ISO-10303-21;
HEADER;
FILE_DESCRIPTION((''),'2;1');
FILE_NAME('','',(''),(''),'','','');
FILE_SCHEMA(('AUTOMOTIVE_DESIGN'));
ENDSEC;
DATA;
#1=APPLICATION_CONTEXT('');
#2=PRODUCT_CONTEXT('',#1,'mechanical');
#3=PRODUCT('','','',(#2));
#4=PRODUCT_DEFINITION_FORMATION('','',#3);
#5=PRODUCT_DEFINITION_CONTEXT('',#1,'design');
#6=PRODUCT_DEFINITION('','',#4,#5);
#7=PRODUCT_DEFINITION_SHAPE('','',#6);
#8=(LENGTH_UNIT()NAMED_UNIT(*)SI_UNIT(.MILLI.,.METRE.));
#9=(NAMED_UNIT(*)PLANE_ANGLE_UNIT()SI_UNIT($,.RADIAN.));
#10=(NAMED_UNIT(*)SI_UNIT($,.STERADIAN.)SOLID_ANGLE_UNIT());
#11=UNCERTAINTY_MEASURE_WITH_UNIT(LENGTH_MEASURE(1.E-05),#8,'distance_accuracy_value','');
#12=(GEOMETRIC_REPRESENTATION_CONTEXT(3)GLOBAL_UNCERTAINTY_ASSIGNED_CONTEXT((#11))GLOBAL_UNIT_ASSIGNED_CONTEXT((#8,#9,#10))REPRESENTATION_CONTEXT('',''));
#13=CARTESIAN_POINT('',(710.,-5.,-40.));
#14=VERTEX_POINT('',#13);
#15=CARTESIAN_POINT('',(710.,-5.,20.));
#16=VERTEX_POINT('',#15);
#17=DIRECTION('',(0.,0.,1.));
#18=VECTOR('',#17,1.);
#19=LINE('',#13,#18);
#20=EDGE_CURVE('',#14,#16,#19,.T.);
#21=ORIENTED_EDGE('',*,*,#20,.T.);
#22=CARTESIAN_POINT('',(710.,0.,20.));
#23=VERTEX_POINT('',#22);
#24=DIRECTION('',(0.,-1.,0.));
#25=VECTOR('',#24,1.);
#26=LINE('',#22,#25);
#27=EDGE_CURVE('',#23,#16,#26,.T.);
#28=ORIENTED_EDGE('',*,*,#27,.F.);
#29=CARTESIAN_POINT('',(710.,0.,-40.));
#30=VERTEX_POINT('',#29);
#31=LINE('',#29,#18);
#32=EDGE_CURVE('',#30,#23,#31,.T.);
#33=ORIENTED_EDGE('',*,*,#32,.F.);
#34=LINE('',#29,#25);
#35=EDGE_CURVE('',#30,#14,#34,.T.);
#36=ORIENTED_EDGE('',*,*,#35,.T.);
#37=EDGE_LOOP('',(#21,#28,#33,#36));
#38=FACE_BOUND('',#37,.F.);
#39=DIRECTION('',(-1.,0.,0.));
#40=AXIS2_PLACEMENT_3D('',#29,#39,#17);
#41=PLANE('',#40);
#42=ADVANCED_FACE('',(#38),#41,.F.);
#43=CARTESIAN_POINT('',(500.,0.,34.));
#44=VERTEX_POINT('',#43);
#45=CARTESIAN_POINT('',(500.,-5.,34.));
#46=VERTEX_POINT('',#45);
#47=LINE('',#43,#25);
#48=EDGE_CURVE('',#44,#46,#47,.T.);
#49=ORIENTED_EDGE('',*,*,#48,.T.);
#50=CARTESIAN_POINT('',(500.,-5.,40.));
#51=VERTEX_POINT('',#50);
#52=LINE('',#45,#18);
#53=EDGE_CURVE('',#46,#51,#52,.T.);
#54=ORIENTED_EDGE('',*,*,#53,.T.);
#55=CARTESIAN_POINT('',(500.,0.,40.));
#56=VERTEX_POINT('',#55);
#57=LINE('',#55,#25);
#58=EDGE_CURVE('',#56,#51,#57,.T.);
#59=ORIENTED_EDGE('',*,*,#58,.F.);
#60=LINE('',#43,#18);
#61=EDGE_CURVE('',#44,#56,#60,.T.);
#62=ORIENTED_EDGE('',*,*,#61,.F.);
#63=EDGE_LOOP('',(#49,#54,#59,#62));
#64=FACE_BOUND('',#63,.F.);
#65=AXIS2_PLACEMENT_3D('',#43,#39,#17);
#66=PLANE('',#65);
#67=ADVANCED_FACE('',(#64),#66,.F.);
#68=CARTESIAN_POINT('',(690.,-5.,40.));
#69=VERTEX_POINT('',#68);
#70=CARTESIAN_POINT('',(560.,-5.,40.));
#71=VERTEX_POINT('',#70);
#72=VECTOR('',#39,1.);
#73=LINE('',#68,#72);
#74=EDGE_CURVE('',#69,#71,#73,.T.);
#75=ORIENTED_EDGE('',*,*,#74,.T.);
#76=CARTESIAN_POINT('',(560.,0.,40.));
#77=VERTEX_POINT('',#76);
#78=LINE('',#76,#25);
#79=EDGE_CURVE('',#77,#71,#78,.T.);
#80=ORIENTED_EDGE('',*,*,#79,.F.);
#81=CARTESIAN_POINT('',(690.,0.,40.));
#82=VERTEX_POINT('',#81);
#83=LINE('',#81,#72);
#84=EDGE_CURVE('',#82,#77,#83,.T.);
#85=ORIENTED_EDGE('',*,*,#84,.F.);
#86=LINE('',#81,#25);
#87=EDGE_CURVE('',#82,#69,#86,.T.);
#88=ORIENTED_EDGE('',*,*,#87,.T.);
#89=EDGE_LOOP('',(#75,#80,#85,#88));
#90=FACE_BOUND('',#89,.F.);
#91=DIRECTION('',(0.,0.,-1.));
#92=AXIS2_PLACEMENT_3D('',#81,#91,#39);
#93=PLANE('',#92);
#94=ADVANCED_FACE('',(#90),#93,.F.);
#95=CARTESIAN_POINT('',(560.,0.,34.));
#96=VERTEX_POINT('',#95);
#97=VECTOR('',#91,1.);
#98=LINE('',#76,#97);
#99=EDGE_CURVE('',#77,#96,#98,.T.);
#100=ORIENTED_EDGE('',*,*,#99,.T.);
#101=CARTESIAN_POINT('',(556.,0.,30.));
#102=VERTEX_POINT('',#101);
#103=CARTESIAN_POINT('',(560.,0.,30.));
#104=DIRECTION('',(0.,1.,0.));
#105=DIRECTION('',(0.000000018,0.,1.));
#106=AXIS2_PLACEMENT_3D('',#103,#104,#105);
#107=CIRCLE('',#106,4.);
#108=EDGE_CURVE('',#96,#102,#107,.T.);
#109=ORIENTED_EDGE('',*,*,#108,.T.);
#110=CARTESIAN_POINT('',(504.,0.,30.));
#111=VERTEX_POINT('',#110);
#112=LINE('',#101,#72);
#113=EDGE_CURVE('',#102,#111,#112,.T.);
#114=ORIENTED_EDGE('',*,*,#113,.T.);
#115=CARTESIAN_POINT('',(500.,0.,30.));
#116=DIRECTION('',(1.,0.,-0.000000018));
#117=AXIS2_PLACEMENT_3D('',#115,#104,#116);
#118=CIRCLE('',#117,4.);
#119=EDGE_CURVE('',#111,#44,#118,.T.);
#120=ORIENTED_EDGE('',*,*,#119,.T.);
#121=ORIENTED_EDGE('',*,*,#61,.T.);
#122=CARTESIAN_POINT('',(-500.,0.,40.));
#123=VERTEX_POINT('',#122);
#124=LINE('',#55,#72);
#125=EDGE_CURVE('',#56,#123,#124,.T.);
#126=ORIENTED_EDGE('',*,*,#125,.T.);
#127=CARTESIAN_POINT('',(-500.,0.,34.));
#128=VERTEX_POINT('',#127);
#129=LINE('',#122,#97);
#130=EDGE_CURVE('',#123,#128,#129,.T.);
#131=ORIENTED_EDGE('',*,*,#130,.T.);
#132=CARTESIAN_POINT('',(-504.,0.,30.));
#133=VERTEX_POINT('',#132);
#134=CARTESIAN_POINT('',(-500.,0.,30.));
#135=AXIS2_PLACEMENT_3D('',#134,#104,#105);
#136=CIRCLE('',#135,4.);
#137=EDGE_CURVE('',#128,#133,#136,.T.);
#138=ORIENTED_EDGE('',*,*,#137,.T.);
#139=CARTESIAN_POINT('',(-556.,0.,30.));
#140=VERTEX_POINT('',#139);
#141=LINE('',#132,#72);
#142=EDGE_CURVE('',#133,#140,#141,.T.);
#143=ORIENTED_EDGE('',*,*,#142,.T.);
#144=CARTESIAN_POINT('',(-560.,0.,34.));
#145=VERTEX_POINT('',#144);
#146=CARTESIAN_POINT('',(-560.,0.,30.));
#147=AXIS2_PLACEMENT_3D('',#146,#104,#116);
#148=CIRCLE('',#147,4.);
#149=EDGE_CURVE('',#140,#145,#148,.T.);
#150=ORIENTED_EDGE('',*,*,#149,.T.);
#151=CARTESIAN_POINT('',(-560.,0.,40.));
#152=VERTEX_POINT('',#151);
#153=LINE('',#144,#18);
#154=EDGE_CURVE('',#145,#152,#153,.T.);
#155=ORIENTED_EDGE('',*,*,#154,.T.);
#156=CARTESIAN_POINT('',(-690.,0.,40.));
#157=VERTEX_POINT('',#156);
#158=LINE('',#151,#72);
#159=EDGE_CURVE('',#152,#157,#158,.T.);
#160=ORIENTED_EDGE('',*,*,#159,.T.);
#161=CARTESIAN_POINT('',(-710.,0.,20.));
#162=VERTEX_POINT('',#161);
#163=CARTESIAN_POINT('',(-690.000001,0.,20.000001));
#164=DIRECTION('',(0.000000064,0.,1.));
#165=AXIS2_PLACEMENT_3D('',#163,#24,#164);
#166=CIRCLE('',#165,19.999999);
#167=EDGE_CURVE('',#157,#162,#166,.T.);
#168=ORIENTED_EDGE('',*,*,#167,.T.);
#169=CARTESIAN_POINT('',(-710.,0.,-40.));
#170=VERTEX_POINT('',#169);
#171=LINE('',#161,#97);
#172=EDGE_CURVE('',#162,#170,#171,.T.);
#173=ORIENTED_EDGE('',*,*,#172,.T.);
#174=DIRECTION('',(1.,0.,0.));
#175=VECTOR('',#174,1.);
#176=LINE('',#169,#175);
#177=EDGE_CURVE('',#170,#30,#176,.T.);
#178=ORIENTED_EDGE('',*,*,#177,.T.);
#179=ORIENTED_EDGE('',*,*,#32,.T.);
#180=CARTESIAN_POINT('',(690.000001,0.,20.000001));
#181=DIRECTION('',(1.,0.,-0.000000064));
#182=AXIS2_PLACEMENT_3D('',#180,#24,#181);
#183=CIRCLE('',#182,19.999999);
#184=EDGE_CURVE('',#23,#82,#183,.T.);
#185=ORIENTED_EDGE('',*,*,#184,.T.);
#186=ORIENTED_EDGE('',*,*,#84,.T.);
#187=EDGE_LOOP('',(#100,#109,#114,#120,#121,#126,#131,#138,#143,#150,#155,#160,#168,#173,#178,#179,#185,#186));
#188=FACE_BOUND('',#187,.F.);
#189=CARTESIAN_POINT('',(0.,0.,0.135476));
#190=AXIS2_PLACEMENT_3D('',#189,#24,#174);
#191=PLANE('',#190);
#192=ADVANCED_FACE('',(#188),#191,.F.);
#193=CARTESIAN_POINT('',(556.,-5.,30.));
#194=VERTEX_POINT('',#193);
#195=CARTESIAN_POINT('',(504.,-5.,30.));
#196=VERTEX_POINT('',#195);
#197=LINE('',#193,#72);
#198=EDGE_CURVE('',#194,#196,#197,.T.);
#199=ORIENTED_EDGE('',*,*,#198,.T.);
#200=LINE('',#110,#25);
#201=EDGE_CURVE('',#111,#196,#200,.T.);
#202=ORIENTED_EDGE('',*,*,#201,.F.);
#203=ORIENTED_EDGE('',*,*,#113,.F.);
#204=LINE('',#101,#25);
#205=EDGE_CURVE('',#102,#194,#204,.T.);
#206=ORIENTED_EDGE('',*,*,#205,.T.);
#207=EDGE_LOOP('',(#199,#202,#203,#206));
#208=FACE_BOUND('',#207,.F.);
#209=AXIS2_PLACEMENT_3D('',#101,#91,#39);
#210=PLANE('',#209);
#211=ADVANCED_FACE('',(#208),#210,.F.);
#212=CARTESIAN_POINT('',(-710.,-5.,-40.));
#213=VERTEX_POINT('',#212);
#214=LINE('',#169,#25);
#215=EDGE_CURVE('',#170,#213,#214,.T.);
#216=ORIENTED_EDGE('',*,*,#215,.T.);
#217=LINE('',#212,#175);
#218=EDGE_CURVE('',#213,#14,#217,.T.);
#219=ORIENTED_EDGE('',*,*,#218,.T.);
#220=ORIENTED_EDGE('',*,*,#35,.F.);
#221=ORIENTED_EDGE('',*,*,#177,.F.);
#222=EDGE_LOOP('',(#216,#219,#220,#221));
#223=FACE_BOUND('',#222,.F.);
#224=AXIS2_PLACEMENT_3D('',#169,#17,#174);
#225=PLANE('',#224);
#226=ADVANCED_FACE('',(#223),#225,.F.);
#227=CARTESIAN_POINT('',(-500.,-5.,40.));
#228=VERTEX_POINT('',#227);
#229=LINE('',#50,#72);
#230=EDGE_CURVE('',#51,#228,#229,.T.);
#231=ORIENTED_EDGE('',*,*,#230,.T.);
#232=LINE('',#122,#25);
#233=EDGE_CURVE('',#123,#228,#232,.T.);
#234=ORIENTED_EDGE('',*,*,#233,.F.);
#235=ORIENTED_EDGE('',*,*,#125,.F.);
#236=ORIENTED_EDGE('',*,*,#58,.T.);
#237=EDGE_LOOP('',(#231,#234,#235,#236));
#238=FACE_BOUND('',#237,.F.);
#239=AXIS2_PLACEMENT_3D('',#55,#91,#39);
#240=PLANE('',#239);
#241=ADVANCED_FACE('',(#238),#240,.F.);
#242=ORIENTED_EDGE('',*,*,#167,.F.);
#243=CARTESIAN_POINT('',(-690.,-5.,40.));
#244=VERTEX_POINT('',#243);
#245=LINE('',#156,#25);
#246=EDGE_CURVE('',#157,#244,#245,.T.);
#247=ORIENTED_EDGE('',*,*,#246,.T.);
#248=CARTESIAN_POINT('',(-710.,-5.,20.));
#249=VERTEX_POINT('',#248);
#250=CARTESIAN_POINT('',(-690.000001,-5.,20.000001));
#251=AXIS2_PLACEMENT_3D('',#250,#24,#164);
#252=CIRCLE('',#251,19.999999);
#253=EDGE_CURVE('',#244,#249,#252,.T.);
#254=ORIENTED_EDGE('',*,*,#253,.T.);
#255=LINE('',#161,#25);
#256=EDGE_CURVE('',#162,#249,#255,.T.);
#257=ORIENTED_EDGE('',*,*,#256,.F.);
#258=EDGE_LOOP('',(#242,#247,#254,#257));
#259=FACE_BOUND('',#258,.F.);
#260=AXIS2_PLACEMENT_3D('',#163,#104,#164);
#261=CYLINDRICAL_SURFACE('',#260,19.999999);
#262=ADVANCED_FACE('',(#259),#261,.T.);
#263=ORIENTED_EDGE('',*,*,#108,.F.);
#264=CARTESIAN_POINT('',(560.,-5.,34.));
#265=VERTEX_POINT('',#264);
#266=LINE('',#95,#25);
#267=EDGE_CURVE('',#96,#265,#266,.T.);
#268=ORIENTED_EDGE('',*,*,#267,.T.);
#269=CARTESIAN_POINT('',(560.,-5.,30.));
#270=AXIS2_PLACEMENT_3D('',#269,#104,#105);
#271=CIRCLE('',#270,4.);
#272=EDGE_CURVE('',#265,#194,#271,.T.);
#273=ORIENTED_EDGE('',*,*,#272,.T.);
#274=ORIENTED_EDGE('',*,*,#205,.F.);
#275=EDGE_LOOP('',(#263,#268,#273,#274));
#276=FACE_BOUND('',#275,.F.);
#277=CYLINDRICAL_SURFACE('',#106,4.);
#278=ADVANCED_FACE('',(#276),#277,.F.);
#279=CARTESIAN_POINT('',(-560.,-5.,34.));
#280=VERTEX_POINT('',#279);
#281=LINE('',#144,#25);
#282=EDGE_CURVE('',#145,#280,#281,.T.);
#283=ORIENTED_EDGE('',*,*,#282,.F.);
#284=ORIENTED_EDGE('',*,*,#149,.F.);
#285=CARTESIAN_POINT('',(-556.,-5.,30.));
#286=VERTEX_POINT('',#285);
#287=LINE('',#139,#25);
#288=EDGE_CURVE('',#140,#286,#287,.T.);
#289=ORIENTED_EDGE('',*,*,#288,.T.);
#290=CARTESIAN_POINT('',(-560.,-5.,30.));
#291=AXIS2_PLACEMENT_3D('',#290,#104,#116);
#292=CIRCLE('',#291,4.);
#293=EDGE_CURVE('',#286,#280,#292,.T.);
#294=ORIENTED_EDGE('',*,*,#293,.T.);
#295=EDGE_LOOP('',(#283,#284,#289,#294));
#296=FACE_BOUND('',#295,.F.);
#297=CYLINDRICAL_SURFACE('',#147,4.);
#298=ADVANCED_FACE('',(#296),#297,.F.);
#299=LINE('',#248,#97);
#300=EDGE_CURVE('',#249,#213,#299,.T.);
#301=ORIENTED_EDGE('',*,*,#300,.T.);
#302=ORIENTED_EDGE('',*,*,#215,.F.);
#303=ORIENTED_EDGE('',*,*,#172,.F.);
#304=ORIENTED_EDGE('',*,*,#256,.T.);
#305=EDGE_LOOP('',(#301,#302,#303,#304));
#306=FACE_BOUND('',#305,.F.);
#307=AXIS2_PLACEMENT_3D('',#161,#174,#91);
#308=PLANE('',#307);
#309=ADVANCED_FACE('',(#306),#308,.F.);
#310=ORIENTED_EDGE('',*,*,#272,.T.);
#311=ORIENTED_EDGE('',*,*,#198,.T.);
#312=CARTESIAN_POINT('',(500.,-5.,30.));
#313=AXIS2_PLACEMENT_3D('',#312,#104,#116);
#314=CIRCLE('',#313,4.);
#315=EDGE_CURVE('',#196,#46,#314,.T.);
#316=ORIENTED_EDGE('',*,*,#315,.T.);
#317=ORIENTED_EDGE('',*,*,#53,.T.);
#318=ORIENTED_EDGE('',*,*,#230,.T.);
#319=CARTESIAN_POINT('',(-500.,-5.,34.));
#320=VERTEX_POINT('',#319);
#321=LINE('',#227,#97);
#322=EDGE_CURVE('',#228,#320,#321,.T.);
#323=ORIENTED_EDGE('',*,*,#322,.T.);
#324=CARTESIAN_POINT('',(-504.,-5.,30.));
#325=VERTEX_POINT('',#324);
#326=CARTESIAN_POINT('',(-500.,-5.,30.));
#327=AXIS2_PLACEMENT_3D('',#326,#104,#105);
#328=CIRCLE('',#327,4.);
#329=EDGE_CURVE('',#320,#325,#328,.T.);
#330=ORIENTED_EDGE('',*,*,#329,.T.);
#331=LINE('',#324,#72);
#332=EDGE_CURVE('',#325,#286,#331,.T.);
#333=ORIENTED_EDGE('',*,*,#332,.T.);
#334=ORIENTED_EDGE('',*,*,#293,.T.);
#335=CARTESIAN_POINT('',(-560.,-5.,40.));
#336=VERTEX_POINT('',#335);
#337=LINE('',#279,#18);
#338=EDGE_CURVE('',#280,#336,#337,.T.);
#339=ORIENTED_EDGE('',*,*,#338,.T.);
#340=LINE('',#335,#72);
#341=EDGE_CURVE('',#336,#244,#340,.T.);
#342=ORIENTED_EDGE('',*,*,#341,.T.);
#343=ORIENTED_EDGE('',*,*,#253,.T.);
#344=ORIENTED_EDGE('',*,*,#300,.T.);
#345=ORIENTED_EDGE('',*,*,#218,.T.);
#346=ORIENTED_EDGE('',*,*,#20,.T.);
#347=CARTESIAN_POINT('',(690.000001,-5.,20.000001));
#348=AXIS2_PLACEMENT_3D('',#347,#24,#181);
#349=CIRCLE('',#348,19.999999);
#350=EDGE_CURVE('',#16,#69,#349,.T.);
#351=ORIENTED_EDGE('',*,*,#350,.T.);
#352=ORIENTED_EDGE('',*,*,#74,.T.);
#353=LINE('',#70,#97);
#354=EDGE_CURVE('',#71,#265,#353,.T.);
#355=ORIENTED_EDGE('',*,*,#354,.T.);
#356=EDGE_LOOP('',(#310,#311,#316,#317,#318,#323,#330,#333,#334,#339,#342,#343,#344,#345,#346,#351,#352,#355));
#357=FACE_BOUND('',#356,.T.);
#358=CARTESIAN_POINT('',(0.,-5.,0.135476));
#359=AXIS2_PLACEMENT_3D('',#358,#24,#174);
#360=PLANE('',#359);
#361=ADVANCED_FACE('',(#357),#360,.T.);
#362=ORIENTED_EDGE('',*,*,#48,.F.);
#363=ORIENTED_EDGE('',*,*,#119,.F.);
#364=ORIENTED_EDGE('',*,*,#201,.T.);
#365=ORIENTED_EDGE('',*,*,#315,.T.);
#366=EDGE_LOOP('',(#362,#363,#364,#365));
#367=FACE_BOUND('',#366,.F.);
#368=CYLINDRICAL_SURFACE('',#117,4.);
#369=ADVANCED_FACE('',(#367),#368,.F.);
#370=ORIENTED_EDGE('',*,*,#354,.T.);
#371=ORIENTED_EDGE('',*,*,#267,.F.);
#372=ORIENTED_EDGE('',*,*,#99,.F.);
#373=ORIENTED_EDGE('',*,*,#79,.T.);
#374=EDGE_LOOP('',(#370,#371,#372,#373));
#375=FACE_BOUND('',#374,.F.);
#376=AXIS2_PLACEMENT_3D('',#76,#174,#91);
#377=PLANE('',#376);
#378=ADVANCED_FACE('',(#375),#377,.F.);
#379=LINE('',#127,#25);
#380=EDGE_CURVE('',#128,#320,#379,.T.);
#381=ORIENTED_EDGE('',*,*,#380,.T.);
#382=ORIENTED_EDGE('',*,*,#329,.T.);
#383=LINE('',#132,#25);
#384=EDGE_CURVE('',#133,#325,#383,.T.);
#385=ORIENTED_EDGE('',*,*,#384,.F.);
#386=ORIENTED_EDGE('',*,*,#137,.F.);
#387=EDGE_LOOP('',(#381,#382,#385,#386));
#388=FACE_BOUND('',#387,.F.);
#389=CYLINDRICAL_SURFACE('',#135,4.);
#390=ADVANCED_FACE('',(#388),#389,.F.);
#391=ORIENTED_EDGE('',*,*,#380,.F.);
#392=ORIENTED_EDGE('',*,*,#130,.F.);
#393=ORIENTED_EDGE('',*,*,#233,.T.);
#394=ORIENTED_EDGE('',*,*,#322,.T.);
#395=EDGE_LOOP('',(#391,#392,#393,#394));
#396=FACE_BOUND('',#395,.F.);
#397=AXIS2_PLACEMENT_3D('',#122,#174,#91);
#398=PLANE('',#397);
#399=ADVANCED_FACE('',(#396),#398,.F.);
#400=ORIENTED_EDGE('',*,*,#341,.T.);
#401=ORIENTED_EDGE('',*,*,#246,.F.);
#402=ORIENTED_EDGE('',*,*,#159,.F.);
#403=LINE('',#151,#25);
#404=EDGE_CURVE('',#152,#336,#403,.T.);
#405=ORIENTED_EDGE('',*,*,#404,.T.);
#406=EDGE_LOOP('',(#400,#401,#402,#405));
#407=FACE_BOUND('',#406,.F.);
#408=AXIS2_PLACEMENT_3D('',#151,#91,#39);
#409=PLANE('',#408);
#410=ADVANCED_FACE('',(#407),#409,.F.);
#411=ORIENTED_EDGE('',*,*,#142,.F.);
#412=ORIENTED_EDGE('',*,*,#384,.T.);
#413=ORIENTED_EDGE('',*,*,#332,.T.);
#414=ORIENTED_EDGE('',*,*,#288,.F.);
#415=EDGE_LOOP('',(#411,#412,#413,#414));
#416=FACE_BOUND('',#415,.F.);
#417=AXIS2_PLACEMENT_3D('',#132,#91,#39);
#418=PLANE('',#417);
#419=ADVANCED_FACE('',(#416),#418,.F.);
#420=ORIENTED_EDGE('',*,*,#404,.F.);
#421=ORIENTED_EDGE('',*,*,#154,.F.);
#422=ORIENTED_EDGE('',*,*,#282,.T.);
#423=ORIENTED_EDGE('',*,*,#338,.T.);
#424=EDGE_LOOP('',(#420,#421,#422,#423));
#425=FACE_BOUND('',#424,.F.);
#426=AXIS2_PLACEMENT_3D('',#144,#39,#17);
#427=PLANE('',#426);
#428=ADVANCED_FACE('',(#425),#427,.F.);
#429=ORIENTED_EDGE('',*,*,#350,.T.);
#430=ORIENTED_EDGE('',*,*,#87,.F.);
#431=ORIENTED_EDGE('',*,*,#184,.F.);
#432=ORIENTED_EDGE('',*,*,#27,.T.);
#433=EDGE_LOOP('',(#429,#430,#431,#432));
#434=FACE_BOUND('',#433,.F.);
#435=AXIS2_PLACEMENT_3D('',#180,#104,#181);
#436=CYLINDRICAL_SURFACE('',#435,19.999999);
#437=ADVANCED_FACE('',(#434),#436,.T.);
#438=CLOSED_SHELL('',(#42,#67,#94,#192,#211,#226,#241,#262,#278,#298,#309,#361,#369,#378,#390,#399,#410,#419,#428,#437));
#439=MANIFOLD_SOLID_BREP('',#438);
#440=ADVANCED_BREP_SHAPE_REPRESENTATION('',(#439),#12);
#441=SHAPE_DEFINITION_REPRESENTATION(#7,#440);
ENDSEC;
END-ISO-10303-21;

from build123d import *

# Parameters (mm, degrees)
F1_DEPTH = 5


with BuildPart() as f1:
    # F0 (on Front) → F1 (new body)
    with BuildSketch(Plane.XZ):
        with BuildLine():
            Line((-560, 40), (-690, 40))
            ThreePointArc((-690, 40), (-704.142136, 34.142136), (-710, 20))
            Line((-710, 20), (-710, -40))
            Line((-710, -40), (710, -40))
            Line((710, -40), (710, 20))
            ThreePointArc((710, 20), (704.142136, 34.142136), (690, 40))
            Line((690, 40), (560, 40))
            Line((560, 40), (560, 34))
            ThreePointArc((560, 34), (562.828427, 27.171573), (556, 30))
            Line((556, 30), (504, 30))
            ThreePointArc((504, 30), (497.171573, 27.171573), (500, 34))
            Line((500, 34), (500, 40))
            Line((500, 40), (-500, 40))
            Line((-500, 40), (-500, 34))
            ThreePointArc((-500, 34), (-497.171573, 27.171573), (-504, 30))
            Line((-504, 30), (-556, 30))
            ThreePointArc((-556, 30), (-562.828427, 27.171573), (-560, 34))
            Line((-560, 34), (-560, 40))
        make_face()
    extrude(amount=F1_DEPTH)


solid = f1.part
